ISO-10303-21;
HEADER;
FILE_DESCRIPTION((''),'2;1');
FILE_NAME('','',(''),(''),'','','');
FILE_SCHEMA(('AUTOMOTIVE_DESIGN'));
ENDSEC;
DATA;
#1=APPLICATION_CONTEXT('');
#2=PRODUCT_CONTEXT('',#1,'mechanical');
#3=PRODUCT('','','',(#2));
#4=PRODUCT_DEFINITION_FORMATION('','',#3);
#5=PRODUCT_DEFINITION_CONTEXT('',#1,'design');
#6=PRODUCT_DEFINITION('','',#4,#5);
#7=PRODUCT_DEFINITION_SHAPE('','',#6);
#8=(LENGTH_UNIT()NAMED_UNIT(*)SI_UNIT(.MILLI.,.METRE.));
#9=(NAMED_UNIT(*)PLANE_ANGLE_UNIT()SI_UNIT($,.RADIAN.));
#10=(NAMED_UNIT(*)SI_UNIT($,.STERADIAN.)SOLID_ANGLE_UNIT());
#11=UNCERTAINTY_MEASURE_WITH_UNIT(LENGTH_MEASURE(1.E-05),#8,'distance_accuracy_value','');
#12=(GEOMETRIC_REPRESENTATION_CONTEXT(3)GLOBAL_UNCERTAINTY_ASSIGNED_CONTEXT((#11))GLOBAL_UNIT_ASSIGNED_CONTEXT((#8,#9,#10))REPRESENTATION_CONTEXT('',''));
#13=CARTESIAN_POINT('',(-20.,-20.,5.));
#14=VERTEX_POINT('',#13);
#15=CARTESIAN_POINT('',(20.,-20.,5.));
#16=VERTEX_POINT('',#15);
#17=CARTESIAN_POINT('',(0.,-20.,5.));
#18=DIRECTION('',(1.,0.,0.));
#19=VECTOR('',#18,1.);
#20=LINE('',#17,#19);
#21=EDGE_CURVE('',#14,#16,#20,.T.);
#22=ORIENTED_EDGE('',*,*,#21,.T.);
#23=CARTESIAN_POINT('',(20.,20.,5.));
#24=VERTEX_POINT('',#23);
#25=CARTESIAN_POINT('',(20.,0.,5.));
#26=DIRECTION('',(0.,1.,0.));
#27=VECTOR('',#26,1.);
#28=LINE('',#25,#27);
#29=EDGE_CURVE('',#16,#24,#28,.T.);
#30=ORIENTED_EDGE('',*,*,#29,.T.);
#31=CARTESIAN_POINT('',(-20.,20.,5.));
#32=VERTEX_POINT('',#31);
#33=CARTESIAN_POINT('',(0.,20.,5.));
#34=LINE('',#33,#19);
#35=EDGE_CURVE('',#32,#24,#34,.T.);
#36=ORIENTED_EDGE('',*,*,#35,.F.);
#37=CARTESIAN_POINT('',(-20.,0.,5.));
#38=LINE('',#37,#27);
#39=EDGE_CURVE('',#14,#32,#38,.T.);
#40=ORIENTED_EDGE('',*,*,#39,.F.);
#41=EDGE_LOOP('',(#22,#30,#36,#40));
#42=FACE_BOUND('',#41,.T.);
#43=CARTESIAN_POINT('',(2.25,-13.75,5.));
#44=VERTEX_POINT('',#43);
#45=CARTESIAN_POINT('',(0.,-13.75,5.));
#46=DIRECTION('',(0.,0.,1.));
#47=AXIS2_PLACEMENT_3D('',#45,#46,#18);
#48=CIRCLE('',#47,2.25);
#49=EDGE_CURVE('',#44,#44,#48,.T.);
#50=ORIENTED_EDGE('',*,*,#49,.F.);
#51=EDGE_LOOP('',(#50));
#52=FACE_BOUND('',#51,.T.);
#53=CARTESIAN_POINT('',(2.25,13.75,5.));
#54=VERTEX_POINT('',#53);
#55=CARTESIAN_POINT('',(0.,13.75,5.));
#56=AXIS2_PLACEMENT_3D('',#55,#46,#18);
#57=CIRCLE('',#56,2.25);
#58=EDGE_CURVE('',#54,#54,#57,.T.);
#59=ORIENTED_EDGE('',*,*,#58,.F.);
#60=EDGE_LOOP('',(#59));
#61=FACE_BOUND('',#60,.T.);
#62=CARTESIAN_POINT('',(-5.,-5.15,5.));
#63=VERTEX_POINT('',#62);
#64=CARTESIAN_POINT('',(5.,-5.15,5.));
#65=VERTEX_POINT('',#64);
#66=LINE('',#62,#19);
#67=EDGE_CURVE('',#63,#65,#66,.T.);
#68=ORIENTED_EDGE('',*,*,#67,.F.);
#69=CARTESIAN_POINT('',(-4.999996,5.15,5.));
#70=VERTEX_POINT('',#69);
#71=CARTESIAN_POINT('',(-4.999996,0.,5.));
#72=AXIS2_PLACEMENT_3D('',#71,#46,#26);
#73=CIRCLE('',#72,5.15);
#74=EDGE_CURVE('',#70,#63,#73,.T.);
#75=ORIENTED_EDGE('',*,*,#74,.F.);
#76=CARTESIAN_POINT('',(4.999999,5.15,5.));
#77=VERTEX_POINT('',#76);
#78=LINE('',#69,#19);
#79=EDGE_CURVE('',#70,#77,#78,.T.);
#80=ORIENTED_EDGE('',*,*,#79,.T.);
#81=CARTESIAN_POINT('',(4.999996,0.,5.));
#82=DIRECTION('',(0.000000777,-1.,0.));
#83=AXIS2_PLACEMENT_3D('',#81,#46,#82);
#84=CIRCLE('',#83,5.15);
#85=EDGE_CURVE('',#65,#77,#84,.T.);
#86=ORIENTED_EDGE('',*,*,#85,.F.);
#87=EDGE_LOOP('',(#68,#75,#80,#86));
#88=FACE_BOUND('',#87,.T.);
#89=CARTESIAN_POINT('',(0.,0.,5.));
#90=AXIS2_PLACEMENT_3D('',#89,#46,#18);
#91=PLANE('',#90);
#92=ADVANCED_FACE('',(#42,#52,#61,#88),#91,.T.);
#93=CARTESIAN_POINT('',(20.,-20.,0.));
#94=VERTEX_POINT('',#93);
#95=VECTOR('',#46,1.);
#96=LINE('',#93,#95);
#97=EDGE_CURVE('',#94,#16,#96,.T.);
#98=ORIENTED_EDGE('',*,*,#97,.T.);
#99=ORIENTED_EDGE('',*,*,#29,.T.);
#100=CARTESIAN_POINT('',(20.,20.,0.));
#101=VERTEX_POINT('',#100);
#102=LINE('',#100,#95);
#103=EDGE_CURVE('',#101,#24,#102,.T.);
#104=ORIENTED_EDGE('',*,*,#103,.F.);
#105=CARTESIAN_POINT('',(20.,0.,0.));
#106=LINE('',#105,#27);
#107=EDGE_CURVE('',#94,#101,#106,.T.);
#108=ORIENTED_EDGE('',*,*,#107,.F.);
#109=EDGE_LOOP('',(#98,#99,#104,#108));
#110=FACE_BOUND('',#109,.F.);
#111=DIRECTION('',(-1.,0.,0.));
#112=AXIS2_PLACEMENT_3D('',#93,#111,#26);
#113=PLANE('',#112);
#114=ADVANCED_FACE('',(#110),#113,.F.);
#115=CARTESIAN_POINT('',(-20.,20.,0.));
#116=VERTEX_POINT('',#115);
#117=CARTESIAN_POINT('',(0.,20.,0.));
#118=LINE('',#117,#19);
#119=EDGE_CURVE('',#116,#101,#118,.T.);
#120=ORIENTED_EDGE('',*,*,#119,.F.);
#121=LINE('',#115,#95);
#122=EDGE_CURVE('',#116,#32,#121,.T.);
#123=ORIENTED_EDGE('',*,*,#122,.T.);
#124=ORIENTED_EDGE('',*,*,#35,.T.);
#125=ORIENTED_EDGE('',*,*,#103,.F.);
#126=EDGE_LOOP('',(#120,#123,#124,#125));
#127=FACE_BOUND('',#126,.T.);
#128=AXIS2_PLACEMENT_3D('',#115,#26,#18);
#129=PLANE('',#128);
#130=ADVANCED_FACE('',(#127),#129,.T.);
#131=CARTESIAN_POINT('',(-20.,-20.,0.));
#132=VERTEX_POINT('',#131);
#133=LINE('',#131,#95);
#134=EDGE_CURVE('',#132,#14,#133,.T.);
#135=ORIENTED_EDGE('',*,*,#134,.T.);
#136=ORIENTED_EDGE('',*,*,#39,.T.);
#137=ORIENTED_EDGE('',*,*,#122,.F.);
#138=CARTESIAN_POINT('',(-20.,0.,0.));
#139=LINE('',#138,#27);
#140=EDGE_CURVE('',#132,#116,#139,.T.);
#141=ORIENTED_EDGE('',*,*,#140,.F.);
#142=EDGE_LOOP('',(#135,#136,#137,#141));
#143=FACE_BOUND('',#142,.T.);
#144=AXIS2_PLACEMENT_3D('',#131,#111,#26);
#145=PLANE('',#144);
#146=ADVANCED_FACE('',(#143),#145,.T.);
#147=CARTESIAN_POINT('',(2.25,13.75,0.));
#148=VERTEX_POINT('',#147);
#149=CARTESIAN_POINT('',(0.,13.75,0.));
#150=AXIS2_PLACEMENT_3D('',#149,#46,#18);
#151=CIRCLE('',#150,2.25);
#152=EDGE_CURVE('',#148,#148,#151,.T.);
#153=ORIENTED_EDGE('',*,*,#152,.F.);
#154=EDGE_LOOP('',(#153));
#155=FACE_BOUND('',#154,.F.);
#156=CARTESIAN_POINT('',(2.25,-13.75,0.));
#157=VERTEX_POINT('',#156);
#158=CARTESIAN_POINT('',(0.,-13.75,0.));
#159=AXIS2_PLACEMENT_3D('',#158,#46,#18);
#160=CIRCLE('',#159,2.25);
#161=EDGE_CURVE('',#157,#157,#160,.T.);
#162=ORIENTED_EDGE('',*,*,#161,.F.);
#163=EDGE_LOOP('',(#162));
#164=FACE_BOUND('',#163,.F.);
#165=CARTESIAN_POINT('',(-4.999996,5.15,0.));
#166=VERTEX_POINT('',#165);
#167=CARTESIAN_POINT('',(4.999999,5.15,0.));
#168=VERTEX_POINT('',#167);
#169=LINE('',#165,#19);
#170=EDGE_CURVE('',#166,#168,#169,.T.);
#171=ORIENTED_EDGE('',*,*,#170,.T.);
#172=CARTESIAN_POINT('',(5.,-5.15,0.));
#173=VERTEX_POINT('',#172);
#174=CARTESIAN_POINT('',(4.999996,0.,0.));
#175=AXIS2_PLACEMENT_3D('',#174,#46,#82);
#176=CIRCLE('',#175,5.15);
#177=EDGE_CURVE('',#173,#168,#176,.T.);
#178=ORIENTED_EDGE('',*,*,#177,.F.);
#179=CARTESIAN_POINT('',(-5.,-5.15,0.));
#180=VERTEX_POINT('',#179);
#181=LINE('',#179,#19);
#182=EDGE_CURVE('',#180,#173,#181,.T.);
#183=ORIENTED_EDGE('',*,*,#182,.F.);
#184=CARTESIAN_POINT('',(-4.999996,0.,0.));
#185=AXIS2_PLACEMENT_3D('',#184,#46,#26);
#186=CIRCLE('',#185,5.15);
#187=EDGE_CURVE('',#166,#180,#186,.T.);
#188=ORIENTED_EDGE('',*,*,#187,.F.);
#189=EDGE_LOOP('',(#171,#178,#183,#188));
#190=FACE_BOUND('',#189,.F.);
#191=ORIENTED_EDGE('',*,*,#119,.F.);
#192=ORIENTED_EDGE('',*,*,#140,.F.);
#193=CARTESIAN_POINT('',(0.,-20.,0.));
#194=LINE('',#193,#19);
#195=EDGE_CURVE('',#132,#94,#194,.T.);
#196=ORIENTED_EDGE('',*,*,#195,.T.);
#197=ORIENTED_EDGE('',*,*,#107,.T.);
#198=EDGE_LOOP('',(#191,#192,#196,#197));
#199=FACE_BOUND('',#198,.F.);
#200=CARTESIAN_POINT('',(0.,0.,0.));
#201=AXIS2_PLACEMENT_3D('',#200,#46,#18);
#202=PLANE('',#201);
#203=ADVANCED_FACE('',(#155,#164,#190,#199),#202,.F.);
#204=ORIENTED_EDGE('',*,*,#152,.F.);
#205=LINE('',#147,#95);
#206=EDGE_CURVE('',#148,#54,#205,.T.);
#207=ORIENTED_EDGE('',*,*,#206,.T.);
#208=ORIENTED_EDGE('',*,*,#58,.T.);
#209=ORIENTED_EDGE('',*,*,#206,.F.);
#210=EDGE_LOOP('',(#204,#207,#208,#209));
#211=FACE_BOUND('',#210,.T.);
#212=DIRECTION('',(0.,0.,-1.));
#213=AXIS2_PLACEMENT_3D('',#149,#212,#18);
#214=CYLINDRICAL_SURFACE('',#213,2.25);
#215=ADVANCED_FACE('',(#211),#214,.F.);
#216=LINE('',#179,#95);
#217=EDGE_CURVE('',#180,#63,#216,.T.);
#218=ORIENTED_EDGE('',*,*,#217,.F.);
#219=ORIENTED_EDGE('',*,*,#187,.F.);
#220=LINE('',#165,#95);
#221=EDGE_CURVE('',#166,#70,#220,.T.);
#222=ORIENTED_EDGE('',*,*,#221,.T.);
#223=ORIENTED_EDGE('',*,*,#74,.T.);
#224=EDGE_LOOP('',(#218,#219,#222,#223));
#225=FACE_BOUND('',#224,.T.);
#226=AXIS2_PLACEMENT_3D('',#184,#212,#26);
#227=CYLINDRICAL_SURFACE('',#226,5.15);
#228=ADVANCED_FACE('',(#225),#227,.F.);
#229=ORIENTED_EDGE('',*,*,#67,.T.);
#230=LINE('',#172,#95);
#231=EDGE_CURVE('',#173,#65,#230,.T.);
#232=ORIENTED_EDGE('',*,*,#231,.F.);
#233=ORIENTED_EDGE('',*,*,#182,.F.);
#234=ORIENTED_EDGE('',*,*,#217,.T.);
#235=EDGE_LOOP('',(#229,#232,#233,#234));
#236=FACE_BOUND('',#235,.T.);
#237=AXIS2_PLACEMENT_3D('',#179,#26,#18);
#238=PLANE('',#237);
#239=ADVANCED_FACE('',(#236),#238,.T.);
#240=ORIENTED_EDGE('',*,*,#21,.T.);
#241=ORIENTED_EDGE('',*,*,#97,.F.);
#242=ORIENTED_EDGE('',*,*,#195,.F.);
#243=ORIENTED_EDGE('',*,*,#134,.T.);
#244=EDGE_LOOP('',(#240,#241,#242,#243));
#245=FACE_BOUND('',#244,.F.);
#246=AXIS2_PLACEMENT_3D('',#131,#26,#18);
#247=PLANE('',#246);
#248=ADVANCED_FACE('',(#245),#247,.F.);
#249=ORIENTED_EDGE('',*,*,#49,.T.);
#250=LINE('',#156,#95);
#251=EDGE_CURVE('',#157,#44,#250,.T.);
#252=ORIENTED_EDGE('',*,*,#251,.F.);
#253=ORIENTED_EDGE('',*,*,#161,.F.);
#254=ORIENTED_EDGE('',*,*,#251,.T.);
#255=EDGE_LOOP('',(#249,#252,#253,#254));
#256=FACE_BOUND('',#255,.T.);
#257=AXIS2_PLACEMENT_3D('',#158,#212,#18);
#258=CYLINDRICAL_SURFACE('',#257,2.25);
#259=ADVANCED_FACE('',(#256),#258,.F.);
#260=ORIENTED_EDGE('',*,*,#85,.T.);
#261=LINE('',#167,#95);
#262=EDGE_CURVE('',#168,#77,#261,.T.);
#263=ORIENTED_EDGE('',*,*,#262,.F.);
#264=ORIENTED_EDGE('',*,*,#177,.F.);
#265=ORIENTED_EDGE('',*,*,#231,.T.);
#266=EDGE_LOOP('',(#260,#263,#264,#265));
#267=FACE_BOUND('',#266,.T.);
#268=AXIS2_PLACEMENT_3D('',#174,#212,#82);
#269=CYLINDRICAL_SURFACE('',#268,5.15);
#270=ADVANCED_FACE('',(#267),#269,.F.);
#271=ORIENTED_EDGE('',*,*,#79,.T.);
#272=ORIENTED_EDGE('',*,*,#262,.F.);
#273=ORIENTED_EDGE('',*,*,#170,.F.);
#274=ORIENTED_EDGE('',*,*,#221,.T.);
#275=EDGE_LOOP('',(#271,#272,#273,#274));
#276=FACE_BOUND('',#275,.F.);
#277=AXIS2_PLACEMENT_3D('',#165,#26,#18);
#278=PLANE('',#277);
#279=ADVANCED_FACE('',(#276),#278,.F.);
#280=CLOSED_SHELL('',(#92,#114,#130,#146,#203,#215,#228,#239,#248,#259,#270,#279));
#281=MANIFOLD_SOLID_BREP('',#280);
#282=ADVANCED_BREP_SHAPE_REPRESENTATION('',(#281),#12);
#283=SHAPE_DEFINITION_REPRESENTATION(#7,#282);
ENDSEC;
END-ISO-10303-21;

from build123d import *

# Parameters (mm, degrees)
SKETCH_W  = 40
SKETCH_H  = 40
SKETCH_R  = 2.25
PAD_DEPTH = 5


with BuildPart() as part:
    # Sketch → Pad (new body)
    with BuildSketch(Plane.XY):
        Rectangle(SKETCH_W, SKETCH_H)
        with Locations((0, 13.75)):
            Circle(SKETCH_R, mode=Mode.SUBTRACT)
        with Locations((0, -13.75)):
            Circle(SKETCH_R, mode=Mode.SUBTRACT)
        with BuildLine():
            ThreePointArc((-4.999996, 5.15), (-10.149996, 2e-06), (-5, -5.15))
            Line((-5, -5.15), (5, -5.15))
            ThreePointArc((5, -5.15), (10.149996, 0), (4.999999, 5.15))
            Line((-4.999996, 5.15), (4.999999, 5.15))
        make_face(mode=Mode.SUBTRACT)
    extrude(amount=PAD_DEPTH)


solid = part.part
